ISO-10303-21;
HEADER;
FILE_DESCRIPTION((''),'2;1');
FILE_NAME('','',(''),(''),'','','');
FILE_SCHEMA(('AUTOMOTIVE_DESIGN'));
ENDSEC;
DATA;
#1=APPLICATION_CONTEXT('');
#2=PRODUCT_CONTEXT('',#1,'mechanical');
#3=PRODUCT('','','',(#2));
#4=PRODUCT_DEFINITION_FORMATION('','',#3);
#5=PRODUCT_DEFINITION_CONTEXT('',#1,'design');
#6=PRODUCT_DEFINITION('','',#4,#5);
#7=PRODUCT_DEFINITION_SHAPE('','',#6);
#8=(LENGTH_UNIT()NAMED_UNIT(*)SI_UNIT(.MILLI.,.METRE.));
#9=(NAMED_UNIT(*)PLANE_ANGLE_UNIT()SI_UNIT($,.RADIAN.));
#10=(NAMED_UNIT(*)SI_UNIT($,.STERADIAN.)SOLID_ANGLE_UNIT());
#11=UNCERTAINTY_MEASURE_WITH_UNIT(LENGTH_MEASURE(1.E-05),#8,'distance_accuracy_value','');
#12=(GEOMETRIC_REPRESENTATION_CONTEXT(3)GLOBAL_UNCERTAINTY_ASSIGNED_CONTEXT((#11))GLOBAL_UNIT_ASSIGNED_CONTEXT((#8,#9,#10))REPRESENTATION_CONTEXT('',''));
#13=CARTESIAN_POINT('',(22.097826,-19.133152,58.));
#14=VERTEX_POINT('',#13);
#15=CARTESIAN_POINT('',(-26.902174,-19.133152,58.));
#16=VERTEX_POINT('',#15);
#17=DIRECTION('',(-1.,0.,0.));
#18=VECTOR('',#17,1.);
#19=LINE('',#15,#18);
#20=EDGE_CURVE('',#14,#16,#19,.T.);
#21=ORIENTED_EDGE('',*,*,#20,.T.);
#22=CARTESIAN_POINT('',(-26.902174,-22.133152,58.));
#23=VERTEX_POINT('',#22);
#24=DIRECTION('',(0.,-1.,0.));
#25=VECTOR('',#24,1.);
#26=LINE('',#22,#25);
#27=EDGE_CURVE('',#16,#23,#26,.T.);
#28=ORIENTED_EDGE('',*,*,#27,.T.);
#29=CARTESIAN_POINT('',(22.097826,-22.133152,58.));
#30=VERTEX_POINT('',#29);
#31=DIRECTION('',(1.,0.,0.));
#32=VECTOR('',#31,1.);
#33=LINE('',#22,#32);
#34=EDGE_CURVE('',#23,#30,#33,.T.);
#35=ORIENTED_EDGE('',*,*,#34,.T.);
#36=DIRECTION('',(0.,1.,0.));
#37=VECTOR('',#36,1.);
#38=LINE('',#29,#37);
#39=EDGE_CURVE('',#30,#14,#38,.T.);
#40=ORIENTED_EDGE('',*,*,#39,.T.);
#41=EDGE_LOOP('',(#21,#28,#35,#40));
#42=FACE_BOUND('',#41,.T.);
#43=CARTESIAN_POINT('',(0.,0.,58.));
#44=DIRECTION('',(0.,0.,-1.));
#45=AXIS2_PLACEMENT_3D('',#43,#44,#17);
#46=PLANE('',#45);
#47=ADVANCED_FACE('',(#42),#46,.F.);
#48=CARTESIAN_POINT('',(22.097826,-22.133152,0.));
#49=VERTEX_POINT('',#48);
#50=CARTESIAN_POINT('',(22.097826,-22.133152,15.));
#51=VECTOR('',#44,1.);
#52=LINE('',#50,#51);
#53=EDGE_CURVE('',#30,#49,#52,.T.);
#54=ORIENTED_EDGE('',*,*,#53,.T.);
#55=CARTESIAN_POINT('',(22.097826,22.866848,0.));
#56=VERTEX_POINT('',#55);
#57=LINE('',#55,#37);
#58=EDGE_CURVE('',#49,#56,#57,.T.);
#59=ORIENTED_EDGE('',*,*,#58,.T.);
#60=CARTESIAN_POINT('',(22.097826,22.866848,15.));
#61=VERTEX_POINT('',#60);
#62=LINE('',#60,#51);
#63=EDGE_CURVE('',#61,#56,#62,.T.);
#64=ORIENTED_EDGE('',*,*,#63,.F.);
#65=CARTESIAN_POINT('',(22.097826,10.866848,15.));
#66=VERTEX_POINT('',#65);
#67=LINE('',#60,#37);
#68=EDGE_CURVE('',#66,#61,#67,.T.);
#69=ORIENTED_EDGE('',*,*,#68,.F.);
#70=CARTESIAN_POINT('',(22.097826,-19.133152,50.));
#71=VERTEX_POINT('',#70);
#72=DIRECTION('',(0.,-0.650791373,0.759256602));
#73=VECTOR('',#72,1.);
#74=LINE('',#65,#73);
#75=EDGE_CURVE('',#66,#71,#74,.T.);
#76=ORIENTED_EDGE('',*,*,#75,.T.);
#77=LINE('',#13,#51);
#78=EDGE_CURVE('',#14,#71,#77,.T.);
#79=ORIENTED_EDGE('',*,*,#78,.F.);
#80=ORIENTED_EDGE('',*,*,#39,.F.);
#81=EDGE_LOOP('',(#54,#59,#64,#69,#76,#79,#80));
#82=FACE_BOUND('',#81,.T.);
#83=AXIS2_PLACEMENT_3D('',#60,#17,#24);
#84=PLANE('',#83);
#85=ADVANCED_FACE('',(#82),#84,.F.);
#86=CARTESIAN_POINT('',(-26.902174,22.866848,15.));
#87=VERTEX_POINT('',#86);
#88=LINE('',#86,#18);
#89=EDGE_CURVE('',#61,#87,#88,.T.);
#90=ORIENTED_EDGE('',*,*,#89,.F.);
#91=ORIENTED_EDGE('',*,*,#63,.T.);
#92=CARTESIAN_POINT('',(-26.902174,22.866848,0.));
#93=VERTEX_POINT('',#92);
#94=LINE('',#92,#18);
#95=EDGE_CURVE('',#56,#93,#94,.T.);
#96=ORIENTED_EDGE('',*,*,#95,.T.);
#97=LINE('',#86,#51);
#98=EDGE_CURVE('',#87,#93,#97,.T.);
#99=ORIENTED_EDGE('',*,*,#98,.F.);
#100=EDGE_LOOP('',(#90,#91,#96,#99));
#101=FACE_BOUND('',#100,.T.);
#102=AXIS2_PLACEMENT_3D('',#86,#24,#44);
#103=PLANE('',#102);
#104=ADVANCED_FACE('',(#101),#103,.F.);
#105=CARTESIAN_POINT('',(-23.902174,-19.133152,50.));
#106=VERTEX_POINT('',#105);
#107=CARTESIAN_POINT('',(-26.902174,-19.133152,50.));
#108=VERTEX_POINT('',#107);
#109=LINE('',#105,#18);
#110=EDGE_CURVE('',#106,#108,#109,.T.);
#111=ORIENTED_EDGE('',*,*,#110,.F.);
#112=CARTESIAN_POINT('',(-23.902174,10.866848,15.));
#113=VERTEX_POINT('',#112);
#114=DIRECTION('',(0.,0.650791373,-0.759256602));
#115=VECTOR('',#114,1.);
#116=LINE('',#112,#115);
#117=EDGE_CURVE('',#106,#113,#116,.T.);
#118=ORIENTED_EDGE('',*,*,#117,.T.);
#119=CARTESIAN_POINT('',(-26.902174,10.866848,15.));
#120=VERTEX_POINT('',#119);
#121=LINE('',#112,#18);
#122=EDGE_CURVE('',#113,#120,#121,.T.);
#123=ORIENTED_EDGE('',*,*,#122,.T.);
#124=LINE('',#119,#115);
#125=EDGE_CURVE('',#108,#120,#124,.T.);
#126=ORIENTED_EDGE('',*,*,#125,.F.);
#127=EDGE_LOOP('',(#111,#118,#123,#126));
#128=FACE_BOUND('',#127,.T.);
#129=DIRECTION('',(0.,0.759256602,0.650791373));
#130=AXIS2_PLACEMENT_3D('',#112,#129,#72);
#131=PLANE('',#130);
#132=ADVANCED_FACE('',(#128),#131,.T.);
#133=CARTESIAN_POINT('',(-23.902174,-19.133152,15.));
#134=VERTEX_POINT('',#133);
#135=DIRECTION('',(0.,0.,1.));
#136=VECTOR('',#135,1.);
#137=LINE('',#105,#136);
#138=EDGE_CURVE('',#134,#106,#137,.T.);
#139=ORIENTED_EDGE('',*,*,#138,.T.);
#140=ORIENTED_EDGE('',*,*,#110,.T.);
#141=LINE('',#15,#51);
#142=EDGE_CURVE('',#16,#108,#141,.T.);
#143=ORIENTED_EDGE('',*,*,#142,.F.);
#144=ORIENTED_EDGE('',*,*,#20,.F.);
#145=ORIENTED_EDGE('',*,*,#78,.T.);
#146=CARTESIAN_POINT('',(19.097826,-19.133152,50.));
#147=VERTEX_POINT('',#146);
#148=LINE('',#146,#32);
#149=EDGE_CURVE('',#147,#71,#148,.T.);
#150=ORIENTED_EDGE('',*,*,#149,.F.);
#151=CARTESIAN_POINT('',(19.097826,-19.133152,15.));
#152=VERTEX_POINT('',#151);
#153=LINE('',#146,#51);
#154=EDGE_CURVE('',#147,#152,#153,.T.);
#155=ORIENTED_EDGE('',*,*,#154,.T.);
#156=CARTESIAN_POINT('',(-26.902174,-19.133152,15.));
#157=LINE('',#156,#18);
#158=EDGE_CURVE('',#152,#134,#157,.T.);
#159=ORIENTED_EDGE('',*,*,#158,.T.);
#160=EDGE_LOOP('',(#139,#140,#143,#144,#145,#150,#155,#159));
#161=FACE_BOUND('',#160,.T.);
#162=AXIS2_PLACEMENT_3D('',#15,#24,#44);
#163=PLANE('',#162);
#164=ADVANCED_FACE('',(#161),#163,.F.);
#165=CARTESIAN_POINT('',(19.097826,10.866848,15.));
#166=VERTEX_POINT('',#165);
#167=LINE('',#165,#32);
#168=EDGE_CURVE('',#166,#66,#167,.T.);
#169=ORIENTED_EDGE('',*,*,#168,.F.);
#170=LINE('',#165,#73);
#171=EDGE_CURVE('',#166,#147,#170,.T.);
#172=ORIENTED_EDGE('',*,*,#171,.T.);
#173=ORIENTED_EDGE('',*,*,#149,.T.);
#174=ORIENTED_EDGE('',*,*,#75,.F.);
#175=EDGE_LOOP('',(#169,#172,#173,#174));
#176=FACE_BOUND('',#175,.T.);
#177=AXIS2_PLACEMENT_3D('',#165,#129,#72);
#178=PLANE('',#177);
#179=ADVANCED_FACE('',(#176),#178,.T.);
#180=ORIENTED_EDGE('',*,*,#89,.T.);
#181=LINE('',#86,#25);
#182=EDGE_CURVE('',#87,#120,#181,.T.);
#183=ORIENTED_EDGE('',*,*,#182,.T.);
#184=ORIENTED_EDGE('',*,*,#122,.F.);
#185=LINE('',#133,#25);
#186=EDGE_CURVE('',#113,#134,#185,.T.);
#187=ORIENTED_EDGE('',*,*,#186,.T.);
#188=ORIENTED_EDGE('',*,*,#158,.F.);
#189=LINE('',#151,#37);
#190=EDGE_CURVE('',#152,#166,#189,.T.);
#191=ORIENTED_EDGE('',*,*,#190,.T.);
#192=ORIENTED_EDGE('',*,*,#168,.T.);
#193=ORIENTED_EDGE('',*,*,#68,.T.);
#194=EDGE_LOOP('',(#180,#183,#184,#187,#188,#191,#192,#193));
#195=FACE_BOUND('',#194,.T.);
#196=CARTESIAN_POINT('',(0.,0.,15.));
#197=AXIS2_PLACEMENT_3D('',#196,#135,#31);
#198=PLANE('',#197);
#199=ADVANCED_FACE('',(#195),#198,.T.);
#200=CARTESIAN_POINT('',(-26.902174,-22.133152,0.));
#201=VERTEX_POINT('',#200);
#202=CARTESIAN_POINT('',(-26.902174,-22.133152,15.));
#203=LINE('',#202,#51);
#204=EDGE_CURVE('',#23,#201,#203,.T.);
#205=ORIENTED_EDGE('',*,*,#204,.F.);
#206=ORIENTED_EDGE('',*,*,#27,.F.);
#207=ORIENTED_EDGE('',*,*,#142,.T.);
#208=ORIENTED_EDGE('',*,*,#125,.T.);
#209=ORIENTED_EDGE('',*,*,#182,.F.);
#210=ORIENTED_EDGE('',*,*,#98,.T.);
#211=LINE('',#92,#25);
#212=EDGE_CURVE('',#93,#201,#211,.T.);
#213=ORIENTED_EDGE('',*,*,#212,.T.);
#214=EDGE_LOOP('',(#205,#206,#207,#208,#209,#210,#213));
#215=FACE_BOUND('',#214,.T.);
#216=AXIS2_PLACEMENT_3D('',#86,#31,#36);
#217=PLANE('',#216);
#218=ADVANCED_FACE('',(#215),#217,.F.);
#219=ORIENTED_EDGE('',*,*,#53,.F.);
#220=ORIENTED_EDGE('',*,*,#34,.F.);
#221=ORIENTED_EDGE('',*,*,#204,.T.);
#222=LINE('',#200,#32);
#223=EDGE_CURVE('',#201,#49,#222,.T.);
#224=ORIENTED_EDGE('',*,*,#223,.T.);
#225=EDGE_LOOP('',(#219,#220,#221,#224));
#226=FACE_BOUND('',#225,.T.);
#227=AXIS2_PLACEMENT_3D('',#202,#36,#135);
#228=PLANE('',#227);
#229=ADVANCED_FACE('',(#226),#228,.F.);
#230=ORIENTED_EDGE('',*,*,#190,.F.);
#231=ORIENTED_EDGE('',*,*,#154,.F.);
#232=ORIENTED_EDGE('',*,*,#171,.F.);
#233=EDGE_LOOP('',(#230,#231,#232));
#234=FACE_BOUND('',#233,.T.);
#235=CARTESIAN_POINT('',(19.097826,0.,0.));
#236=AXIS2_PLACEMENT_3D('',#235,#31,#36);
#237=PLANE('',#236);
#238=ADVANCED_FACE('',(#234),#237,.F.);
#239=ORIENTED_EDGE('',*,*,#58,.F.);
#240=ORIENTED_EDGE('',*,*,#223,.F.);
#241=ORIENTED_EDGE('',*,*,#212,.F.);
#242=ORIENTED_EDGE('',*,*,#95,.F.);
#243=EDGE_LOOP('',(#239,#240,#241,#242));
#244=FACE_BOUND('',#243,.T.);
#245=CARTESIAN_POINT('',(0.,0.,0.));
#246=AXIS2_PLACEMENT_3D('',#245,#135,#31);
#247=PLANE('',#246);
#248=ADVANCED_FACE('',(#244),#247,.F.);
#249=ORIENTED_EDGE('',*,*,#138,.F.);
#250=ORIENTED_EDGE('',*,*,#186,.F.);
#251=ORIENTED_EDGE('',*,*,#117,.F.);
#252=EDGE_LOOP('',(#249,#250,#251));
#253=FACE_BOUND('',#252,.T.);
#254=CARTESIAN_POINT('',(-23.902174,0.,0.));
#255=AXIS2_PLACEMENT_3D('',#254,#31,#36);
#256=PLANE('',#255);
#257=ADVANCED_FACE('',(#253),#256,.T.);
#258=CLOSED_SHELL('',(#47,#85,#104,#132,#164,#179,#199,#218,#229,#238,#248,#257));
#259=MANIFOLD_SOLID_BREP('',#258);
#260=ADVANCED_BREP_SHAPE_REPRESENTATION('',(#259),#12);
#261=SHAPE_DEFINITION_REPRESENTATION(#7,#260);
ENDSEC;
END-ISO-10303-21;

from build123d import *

# Parameters (mm, degrees)
SKETCH1_W           = 49
SKETCH1_H           = 45
BOSS_EXTRUDE1_DEPTH = 15
SKETCH2_W           = 49
SKETCH2_H           = 3
BOSS_EXTRUDE2_DEPTH = 43
BOSS_EXTRUDE3_DEPTH = 3
BOSS_EXTRUDE4_DEPTH = 3


with BuildPart() as part:
    # Sketch1 → Boss-Extrude1 (new body)
    with BuildSketch(Plane.XY):
        with Locations((-2.402173913, 0.366847826)):
            Rectangle(SKETCH1_W, SKETCH1_H)
    extrude(amount=BOSS_EXTRUDE1_DEPTH)

    # Sketch2 → Boss-Extrude2 (add)
    with BuildSketch(Plane.XY.offset(15)):
        with Locations((-2.402173913, -20.633152174)):
            Rectangle(SKETCH2_W, SKETCH2_H)
    extrude(amount=BOSS_EXTRUDE2_DEPTH)

    # Sketch4 → Boss-Extrude3 (add)
    with BuildSketch(Plane.ZY.offset(26.902173913)):
        Polygon((15, -19.133152174), (15, 10.866847826), (50, -19.133152174), align=None)
    extrude(amount=-BOSS_EXTRUDE3_DEPTH)

    # Sketch5 → Boss-Extrude4 (add)
    with BuildSketch(Plane(origin=(22.097826087, 0, 0), x_dir=(0, 0, -1), z_dir=(1, 0, 0))):
        Polygon((-15, -19.133152174), (-15, 10.866847826), (-50, -19.133152174), align=None)
    extrude(amount=-BOSS_EXTRUDE4_DEPTH)


solid = part.part
